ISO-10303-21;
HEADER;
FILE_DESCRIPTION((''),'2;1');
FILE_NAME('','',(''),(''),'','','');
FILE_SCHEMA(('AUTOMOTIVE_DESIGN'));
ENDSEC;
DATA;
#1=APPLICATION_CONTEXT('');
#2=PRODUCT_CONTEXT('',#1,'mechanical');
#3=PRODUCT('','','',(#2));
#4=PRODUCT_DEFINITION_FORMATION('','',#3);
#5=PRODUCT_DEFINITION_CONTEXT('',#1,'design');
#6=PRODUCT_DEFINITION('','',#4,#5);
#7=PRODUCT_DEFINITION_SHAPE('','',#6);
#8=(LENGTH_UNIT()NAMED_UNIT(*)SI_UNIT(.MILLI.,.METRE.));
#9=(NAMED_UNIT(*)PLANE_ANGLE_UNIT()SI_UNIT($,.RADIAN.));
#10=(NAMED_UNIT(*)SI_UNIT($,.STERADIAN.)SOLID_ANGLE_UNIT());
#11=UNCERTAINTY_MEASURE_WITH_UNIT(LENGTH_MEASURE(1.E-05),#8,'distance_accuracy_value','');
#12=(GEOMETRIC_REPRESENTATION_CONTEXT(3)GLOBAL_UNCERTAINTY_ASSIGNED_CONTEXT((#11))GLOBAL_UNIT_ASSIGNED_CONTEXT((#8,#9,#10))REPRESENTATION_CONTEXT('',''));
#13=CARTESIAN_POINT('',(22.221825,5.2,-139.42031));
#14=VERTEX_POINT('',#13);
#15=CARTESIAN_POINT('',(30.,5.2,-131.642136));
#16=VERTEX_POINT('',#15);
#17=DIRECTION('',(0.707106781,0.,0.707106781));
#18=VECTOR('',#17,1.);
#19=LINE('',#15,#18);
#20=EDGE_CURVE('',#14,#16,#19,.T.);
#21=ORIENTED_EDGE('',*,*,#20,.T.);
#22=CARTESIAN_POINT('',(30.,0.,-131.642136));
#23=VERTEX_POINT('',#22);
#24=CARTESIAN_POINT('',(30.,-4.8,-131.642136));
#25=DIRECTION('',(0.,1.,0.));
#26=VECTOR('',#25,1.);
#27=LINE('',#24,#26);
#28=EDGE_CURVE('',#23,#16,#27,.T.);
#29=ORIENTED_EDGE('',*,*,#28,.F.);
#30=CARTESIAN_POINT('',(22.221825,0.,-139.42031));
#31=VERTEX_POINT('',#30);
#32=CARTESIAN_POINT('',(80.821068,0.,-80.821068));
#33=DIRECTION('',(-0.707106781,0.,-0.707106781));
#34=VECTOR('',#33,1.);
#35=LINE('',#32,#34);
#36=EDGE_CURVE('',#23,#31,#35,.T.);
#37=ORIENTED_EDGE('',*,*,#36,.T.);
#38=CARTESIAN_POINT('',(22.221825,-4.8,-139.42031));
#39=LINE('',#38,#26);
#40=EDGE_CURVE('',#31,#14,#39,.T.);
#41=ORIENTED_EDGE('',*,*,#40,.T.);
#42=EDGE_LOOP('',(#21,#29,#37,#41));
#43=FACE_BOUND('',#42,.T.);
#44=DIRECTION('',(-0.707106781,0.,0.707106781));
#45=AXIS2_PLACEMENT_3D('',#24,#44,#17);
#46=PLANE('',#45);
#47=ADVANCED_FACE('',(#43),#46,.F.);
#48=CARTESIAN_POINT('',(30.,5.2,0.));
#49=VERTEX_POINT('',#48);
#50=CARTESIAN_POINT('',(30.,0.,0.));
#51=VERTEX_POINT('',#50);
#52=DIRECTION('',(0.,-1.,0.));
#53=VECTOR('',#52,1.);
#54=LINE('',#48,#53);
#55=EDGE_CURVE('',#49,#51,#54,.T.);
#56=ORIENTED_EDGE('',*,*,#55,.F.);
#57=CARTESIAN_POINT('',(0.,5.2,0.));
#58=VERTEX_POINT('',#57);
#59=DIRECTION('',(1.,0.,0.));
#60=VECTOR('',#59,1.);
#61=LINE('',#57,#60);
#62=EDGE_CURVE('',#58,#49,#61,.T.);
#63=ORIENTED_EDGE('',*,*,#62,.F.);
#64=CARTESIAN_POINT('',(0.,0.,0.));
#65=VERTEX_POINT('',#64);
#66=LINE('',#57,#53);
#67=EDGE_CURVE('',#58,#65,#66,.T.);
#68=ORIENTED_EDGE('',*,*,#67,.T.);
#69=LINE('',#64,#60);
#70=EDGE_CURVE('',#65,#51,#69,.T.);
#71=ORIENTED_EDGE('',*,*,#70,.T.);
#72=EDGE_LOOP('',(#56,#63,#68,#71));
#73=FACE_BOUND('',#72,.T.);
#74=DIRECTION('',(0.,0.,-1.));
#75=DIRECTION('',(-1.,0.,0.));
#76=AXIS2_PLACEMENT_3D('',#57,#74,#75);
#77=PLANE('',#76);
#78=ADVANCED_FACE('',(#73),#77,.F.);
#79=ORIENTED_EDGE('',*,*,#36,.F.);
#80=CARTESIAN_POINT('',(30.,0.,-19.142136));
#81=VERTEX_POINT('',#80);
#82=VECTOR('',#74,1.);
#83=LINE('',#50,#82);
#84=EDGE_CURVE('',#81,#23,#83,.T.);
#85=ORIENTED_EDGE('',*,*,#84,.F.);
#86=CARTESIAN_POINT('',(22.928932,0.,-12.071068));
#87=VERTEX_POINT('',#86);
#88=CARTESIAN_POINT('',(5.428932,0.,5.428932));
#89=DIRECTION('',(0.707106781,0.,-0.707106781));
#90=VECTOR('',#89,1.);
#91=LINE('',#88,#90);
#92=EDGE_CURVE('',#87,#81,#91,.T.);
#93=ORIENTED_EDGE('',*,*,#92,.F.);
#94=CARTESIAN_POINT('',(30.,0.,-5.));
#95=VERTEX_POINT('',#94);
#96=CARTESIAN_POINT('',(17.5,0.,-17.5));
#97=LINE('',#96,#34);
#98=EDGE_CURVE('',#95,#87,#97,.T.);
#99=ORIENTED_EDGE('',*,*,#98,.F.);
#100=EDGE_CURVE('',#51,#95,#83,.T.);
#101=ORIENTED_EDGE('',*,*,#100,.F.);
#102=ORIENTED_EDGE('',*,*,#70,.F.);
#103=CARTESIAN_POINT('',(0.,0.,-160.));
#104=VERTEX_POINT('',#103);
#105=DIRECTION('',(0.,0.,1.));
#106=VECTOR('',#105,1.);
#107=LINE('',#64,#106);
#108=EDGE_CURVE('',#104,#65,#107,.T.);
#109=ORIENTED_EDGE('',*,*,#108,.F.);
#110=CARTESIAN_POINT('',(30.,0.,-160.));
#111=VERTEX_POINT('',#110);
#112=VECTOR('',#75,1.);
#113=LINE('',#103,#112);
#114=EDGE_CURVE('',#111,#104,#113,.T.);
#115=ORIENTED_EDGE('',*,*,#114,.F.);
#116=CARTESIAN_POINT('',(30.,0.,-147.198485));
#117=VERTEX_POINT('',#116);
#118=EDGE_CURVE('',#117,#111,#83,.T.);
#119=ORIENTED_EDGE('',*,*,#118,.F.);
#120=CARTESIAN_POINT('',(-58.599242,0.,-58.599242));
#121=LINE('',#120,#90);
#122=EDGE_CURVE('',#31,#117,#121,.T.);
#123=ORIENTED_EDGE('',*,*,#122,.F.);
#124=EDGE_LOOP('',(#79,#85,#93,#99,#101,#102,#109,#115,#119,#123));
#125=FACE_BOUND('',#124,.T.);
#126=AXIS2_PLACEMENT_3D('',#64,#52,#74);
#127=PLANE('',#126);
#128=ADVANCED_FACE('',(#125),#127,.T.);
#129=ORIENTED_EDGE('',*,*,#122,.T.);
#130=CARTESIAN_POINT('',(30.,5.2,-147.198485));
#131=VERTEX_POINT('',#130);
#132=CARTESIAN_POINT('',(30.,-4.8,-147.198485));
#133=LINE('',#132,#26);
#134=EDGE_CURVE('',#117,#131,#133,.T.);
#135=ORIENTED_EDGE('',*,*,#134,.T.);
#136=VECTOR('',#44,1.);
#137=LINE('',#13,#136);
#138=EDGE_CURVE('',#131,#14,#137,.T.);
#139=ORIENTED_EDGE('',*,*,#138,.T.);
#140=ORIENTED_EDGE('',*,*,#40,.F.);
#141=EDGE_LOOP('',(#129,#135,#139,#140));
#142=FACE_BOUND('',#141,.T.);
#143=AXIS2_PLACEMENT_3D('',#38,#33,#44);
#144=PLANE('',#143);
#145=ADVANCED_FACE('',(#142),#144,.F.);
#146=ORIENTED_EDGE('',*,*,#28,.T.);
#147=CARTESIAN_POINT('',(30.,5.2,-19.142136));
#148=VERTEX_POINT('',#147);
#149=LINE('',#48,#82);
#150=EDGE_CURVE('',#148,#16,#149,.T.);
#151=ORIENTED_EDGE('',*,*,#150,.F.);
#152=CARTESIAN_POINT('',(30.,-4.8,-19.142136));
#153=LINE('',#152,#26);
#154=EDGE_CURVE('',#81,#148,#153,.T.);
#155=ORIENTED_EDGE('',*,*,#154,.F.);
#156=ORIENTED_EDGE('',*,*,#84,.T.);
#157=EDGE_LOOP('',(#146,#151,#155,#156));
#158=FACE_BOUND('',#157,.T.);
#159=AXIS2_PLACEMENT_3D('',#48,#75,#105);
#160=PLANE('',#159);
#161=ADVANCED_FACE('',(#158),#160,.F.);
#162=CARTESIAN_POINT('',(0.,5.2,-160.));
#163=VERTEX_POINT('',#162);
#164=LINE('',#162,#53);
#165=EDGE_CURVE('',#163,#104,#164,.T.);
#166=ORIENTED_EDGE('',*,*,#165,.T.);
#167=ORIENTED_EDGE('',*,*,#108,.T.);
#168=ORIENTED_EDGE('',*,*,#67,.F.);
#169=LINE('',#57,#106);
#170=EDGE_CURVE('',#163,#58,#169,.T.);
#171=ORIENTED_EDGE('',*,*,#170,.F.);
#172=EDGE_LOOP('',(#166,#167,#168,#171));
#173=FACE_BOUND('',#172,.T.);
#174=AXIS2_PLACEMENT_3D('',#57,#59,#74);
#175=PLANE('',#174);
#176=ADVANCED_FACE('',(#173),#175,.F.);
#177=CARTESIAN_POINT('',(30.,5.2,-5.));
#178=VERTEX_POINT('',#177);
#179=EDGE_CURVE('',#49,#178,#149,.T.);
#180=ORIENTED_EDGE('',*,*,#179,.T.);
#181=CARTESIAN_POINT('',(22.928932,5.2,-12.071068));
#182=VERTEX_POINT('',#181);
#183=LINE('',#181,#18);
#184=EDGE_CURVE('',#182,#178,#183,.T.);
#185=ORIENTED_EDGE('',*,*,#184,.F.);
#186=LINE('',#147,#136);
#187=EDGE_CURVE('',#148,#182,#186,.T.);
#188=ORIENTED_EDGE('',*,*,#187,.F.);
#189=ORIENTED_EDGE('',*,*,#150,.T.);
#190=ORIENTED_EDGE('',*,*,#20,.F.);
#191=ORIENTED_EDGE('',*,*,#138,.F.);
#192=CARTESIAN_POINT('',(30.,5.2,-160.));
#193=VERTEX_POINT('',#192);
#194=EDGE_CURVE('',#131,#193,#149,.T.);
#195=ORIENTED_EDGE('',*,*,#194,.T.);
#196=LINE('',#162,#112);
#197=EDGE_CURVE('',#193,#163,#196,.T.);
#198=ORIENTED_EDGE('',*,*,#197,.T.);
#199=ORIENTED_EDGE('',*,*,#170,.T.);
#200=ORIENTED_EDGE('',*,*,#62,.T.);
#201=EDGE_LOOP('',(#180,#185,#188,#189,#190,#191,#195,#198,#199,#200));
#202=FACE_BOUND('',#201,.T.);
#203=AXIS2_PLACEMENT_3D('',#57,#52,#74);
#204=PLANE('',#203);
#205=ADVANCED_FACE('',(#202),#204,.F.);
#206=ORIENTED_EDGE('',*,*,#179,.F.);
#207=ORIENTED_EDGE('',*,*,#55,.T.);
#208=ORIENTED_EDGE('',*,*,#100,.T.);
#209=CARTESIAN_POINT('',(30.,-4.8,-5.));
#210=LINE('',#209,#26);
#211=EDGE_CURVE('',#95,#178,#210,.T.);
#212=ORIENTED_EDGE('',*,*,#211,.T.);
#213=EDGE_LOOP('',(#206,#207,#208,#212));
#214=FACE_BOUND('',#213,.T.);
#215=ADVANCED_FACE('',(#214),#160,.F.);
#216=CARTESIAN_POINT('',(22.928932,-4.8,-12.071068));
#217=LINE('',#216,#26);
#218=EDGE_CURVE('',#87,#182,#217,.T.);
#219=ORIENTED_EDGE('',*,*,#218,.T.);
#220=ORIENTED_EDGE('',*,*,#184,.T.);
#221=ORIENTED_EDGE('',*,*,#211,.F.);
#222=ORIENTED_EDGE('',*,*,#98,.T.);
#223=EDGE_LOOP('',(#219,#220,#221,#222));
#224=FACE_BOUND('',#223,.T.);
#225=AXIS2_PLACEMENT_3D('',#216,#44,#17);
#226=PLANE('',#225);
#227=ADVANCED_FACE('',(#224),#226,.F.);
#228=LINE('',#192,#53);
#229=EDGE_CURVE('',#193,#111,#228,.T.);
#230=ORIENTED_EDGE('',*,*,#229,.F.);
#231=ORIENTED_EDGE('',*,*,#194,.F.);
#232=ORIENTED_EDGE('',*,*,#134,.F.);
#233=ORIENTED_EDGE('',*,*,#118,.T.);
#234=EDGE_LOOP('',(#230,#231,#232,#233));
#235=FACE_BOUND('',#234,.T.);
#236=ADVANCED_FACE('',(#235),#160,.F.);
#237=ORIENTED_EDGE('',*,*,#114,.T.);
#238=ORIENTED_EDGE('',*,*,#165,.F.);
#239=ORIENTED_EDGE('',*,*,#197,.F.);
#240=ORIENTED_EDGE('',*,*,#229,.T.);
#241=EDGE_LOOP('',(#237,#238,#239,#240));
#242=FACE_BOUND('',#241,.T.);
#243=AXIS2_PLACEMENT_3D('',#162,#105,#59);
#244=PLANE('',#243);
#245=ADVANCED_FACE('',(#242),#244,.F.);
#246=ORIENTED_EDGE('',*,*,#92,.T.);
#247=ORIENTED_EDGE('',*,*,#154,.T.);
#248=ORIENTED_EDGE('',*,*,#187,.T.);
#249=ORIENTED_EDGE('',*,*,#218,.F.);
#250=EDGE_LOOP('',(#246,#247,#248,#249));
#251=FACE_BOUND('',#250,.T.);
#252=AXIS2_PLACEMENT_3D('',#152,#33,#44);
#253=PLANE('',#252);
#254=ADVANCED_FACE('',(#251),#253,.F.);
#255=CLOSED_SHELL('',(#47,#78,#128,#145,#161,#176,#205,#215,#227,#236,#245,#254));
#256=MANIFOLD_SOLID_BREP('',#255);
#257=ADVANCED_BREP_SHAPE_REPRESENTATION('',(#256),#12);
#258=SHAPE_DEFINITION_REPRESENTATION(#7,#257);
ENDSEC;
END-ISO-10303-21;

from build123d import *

# Parameters (mm, degrees)
SKETCH1_W           = 30
SKETCH1_H           = 160
BOSS_EXTRUDE1_DEPTH = 5.2
CUT_EXTRUDE1_DEPTH  = 10


with BuildPart() as part:
    # Sketch1 → Boss-Extrude1 (new body)
    with BuildSketch(Plane(origin=(0, 0, 0), x_dir=(1, 0, 0), z_dir=(0, 1, 0))):
        with Locations((15, 80)):
            Rectangle(SKETCH1_W, SKETCH1_H)
    extrude(amount=BOSS_EXTRUDE1_DEPTH)

    # Sketch2 → Cut-Extrude1 (cut)
    with BuildSketch(Plane(origin=(0, 5.2, 0), x_dir=(1, 0, 0), z_dir=(0, 1, 0))):
        Polygon((30, 131.642135624), (22.221825407, 139.420310217), (30, 147.19848481), align=None)
        Polygon((30, 19.142135624), (22.928932188, 12.071067812), (30, 5), align=None)
    extrude(amount=-CUT_EXTRUDE1_DEPTH, mode=Mode.SUBTRACT)


solid = part.part
